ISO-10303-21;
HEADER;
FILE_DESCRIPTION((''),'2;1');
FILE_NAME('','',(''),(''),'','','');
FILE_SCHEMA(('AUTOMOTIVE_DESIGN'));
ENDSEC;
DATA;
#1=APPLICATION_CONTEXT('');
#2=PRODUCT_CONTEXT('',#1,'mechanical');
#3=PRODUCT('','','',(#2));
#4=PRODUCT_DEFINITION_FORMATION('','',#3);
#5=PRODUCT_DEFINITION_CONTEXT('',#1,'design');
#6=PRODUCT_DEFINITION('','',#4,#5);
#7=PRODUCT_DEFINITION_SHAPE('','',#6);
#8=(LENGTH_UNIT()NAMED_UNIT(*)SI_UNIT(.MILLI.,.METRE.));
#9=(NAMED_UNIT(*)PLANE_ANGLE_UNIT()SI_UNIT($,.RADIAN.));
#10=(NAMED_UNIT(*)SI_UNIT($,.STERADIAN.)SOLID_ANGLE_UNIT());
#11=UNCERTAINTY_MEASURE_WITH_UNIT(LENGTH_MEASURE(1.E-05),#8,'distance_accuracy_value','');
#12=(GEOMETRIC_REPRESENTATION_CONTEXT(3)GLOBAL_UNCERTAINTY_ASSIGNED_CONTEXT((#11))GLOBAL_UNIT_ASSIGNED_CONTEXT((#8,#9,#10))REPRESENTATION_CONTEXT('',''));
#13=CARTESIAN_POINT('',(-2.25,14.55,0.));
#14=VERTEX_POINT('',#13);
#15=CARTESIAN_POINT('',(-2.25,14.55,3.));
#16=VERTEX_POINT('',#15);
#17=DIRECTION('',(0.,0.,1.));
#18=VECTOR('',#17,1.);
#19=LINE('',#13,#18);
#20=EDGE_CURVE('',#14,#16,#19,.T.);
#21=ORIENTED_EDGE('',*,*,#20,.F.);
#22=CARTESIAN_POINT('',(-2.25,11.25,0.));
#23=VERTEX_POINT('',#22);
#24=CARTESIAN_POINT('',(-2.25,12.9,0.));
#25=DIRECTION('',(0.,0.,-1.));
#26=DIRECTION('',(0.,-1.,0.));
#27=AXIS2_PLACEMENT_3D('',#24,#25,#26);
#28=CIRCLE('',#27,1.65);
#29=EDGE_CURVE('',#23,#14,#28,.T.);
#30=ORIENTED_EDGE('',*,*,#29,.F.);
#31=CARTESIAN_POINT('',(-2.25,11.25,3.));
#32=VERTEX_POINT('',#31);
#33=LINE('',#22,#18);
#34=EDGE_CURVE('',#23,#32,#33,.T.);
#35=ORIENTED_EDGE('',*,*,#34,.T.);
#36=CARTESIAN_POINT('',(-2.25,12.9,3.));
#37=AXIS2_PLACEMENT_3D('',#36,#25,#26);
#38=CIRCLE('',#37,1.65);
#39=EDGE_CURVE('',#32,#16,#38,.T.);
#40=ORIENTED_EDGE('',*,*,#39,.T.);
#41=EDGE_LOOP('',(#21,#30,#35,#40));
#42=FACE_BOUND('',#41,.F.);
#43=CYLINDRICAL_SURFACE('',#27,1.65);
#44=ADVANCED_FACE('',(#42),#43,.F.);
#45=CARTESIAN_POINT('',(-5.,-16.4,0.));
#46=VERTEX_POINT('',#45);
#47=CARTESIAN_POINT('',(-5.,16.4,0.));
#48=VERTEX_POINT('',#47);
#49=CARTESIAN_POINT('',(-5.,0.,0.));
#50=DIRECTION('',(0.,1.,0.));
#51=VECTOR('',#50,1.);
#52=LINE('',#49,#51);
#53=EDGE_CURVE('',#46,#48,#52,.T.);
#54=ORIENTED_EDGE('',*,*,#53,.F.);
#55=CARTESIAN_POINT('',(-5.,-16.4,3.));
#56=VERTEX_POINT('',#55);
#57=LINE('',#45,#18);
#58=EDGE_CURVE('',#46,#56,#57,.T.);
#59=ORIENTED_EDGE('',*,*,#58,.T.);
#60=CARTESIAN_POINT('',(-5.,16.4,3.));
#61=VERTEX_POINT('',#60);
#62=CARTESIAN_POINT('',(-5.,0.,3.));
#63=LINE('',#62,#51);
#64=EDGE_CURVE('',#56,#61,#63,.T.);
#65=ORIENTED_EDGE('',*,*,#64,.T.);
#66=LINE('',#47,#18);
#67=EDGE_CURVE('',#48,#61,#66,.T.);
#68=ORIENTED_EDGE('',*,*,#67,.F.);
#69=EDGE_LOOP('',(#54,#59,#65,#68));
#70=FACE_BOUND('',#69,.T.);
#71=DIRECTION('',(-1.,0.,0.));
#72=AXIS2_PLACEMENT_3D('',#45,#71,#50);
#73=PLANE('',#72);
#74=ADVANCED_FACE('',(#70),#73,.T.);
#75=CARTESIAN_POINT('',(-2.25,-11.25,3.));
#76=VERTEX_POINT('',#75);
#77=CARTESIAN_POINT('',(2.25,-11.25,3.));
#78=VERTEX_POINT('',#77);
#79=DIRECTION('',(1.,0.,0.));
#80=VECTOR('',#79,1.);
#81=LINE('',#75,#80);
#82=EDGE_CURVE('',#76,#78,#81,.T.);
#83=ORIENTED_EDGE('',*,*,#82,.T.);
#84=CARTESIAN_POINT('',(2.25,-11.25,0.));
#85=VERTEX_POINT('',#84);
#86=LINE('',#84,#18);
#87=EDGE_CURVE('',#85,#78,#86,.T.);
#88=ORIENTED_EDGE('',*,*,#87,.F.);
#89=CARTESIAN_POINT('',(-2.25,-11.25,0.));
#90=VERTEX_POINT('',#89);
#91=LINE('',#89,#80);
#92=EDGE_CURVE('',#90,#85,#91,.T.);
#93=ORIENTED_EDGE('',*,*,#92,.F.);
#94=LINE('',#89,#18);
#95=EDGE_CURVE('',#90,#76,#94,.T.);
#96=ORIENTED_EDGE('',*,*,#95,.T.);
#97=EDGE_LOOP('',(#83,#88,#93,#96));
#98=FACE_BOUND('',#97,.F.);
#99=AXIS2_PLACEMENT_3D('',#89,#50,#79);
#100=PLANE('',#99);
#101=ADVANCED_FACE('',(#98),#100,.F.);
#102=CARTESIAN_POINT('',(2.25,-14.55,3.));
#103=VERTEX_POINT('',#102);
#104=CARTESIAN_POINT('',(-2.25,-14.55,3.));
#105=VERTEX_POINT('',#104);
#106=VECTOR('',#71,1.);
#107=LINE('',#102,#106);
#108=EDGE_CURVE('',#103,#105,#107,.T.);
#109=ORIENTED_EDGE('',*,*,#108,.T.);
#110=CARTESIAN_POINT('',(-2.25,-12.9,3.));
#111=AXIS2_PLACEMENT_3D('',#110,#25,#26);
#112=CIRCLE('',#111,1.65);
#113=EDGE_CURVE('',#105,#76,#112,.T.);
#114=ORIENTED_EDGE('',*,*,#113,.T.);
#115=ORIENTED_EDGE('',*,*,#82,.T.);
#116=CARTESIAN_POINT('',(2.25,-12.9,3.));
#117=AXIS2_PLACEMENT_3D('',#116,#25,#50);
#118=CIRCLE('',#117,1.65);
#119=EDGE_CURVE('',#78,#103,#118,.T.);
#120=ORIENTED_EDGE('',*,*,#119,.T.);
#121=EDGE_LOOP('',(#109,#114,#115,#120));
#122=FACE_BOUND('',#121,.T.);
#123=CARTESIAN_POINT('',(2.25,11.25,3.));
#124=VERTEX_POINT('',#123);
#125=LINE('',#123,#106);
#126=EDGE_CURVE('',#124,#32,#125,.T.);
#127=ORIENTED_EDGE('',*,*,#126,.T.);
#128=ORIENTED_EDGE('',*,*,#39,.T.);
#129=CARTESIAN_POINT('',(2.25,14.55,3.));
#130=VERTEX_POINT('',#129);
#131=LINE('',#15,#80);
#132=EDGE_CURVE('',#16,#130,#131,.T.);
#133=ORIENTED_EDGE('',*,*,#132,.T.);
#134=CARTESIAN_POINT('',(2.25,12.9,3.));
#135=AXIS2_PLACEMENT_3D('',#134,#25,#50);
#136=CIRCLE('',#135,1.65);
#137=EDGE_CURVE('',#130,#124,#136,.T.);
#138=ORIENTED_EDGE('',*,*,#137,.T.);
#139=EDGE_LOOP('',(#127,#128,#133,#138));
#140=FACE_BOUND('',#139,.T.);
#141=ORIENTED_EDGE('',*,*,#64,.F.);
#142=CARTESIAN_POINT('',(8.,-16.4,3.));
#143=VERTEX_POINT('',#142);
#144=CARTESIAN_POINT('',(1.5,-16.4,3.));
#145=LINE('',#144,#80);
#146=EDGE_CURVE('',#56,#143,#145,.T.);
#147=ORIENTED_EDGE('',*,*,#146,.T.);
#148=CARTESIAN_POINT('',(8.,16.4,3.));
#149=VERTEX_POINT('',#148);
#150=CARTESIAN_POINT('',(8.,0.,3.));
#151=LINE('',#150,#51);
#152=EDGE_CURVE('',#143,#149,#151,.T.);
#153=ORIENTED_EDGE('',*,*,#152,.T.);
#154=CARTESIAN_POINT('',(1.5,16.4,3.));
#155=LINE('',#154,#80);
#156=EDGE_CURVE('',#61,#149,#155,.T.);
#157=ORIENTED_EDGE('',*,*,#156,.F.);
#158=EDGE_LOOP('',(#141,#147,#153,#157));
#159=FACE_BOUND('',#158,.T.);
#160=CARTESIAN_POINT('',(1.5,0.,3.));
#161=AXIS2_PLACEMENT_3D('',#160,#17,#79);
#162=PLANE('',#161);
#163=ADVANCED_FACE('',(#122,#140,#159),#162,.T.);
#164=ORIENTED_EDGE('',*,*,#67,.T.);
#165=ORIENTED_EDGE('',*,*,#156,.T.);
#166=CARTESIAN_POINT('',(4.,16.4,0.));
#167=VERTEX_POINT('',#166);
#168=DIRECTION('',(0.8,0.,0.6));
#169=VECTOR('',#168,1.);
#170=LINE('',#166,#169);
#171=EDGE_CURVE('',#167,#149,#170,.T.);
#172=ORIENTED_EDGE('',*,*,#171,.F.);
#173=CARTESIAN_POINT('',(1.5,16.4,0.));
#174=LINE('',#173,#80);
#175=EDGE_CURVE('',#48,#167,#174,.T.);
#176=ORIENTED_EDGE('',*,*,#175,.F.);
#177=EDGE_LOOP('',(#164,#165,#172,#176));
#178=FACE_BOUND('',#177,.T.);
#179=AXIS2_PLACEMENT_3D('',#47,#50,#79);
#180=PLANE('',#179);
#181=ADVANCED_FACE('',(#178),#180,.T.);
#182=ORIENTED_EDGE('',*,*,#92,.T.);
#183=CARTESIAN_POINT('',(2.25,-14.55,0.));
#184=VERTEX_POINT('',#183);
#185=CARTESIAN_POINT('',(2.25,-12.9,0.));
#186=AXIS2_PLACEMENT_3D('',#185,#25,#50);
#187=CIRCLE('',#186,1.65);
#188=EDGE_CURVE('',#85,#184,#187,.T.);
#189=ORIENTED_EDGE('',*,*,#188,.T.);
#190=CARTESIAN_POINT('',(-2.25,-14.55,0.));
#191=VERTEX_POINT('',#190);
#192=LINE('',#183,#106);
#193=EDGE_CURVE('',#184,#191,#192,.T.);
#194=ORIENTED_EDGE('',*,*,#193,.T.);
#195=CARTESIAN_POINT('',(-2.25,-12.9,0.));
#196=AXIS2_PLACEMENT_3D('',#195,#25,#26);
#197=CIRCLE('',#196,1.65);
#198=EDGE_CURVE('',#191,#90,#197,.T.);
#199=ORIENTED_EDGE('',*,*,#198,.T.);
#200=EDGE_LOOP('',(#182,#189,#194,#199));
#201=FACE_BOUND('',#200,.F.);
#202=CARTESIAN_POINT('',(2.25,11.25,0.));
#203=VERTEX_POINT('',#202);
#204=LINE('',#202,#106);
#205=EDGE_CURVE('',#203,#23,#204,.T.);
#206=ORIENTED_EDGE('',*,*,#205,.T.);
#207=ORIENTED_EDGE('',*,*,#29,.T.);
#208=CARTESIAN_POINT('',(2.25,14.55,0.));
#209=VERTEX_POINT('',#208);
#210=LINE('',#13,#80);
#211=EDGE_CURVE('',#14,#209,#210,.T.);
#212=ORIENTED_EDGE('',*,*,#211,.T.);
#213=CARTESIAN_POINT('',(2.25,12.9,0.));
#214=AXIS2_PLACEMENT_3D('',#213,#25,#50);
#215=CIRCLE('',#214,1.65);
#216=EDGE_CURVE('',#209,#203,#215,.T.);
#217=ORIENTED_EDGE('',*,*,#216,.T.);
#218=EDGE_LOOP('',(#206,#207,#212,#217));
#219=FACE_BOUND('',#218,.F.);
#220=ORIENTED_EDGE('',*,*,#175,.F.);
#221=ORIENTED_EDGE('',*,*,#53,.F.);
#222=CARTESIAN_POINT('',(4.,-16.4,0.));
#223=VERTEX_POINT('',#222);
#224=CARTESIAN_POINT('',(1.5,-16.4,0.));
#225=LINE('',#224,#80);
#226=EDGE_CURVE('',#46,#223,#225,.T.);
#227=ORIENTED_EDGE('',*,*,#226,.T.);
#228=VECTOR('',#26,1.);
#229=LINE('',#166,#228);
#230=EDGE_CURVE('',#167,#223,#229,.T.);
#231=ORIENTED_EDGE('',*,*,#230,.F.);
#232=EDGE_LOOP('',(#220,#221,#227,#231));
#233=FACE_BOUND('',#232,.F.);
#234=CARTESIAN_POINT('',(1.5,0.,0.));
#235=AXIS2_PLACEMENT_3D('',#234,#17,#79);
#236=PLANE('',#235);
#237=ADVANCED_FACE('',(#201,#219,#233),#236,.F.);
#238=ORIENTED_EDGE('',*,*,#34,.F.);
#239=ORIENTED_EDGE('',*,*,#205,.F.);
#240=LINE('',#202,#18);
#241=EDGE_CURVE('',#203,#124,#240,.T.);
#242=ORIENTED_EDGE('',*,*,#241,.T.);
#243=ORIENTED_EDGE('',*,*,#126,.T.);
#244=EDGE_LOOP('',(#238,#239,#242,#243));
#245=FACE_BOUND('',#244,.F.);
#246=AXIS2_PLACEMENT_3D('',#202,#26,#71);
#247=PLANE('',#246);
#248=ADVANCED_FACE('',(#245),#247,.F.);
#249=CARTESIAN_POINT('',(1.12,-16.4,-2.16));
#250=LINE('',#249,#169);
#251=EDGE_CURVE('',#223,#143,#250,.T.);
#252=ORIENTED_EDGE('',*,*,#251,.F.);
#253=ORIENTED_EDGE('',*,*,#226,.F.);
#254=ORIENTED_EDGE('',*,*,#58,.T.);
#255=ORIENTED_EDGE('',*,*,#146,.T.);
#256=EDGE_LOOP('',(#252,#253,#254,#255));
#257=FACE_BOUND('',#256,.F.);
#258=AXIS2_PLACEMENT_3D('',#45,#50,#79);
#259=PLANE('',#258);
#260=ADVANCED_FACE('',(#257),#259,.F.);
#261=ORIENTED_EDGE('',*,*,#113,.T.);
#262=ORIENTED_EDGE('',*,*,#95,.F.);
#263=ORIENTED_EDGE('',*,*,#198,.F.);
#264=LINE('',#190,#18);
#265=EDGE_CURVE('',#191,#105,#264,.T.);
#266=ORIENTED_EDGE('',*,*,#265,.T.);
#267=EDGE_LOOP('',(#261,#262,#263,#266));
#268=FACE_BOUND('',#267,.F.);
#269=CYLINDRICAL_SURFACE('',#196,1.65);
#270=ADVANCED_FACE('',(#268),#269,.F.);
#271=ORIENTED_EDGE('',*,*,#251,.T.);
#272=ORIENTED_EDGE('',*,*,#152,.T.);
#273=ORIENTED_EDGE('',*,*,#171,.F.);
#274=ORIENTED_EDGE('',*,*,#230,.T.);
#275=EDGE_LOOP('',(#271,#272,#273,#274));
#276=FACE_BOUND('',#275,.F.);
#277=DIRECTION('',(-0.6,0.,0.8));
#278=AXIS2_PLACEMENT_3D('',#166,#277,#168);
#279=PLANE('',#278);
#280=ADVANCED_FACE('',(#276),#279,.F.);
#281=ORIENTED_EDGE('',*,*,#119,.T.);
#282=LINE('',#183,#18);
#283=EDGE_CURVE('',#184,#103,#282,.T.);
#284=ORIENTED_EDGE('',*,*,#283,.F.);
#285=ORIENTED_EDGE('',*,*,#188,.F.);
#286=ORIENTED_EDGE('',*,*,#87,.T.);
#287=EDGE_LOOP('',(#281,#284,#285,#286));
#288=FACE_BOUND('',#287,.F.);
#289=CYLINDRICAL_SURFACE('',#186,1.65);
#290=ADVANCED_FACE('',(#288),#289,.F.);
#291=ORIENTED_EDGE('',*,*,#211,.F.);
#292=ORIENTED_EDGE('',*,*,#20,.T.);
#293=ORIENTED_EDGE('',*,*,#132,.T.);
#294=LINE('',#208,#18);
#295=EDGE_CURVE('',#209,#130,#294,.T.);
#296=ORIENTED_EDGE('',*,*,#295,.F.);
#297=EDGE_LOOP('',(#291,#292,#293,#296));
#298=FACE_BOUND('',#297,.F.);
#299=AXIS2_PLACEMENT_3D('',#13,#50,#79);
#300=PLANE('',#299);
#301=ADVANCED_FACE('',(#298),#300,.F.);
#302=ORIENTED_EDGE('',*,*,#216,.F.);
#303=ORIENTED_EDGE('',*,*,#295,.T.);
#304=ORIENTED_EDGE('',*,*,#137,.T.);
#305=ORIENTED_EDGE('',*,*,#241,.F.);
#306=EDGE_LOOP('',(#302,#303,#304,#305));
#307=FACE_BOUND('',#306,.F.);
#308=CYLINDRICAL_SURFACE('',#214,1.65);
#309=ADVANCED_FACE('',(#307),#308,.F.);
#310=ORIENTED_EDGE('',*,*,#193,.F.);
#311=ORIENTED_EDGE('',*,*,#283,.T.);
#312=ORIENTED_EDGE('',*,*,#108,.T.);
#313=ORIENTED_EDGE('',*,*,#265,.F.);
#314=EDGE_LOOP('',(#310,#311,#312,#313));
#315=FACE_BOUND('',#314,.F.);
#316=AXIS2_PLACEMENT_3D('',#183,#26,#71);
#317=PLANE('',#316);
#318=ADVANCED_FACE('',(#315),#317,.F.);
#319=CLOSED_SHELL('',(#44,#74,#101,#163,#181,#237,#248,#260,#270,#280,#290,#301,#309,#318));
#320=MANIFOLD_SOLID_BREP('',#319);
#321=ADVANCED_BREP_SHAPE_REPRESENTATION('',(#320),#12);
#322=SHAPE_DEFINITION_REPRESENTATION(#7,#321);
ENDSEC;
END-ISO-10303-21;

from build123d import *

# Parameters (mm, degrees)
F0_W     = 13
F0_H     = 32.8
F1_DEPTH = 3
F3_DEPTH = 32.801


with BuildPart() as f1:
    # F0 (on Top) → F1 (new body)
    with BuildSketch(Plane.XY):
        with Locations((1.5, 0)):
            Rectangle(F0_W, F0_H)
        with BuildLine():
            Line((2.25, -14.55), (-2.25, -14.55))
            ThreePointArc((-2.25, -14.55), (-3.9, -12.9), (-2.25, -11.25))
            Line((-2.25, -11.25), (2.25, -11.25))
            ThreePointArc((2.25, -11.25), (3.9, -12.9), (2.25, -14.55))
        make_face(mode=Mode.SUBTRACT)
        with BuildLine():
            ThreePointArc((-2.25, 11.25), (-3.9, 12.9), (-2.25, 14.55))
            Line((-2.25, 14.55), (2.25, 14.55))
            ThreePointArc((2.25, 14.55), (3.9, 12.9), (2.25, 11.25))
            Line((2.25, 11.25), (-2.25, 11.25))
        make_face(mode=Mode.SUBTRACT)
    extrude(amount=F1_DEPTH)

    # F2 (on face) → F3 (cut, through all)
    with BuildSketch(Plane(origin=(0, 16.4, 0), x_dir=(-1, 0, 0), z_dir=(0, 1, 0))):
        Polygon((-4, 0), (-8, 3), (-8, 0), align=None)
    extrude(amount=-F3_DEPTH, mode=Mode.SUBTRACT)


solid = f1.part
